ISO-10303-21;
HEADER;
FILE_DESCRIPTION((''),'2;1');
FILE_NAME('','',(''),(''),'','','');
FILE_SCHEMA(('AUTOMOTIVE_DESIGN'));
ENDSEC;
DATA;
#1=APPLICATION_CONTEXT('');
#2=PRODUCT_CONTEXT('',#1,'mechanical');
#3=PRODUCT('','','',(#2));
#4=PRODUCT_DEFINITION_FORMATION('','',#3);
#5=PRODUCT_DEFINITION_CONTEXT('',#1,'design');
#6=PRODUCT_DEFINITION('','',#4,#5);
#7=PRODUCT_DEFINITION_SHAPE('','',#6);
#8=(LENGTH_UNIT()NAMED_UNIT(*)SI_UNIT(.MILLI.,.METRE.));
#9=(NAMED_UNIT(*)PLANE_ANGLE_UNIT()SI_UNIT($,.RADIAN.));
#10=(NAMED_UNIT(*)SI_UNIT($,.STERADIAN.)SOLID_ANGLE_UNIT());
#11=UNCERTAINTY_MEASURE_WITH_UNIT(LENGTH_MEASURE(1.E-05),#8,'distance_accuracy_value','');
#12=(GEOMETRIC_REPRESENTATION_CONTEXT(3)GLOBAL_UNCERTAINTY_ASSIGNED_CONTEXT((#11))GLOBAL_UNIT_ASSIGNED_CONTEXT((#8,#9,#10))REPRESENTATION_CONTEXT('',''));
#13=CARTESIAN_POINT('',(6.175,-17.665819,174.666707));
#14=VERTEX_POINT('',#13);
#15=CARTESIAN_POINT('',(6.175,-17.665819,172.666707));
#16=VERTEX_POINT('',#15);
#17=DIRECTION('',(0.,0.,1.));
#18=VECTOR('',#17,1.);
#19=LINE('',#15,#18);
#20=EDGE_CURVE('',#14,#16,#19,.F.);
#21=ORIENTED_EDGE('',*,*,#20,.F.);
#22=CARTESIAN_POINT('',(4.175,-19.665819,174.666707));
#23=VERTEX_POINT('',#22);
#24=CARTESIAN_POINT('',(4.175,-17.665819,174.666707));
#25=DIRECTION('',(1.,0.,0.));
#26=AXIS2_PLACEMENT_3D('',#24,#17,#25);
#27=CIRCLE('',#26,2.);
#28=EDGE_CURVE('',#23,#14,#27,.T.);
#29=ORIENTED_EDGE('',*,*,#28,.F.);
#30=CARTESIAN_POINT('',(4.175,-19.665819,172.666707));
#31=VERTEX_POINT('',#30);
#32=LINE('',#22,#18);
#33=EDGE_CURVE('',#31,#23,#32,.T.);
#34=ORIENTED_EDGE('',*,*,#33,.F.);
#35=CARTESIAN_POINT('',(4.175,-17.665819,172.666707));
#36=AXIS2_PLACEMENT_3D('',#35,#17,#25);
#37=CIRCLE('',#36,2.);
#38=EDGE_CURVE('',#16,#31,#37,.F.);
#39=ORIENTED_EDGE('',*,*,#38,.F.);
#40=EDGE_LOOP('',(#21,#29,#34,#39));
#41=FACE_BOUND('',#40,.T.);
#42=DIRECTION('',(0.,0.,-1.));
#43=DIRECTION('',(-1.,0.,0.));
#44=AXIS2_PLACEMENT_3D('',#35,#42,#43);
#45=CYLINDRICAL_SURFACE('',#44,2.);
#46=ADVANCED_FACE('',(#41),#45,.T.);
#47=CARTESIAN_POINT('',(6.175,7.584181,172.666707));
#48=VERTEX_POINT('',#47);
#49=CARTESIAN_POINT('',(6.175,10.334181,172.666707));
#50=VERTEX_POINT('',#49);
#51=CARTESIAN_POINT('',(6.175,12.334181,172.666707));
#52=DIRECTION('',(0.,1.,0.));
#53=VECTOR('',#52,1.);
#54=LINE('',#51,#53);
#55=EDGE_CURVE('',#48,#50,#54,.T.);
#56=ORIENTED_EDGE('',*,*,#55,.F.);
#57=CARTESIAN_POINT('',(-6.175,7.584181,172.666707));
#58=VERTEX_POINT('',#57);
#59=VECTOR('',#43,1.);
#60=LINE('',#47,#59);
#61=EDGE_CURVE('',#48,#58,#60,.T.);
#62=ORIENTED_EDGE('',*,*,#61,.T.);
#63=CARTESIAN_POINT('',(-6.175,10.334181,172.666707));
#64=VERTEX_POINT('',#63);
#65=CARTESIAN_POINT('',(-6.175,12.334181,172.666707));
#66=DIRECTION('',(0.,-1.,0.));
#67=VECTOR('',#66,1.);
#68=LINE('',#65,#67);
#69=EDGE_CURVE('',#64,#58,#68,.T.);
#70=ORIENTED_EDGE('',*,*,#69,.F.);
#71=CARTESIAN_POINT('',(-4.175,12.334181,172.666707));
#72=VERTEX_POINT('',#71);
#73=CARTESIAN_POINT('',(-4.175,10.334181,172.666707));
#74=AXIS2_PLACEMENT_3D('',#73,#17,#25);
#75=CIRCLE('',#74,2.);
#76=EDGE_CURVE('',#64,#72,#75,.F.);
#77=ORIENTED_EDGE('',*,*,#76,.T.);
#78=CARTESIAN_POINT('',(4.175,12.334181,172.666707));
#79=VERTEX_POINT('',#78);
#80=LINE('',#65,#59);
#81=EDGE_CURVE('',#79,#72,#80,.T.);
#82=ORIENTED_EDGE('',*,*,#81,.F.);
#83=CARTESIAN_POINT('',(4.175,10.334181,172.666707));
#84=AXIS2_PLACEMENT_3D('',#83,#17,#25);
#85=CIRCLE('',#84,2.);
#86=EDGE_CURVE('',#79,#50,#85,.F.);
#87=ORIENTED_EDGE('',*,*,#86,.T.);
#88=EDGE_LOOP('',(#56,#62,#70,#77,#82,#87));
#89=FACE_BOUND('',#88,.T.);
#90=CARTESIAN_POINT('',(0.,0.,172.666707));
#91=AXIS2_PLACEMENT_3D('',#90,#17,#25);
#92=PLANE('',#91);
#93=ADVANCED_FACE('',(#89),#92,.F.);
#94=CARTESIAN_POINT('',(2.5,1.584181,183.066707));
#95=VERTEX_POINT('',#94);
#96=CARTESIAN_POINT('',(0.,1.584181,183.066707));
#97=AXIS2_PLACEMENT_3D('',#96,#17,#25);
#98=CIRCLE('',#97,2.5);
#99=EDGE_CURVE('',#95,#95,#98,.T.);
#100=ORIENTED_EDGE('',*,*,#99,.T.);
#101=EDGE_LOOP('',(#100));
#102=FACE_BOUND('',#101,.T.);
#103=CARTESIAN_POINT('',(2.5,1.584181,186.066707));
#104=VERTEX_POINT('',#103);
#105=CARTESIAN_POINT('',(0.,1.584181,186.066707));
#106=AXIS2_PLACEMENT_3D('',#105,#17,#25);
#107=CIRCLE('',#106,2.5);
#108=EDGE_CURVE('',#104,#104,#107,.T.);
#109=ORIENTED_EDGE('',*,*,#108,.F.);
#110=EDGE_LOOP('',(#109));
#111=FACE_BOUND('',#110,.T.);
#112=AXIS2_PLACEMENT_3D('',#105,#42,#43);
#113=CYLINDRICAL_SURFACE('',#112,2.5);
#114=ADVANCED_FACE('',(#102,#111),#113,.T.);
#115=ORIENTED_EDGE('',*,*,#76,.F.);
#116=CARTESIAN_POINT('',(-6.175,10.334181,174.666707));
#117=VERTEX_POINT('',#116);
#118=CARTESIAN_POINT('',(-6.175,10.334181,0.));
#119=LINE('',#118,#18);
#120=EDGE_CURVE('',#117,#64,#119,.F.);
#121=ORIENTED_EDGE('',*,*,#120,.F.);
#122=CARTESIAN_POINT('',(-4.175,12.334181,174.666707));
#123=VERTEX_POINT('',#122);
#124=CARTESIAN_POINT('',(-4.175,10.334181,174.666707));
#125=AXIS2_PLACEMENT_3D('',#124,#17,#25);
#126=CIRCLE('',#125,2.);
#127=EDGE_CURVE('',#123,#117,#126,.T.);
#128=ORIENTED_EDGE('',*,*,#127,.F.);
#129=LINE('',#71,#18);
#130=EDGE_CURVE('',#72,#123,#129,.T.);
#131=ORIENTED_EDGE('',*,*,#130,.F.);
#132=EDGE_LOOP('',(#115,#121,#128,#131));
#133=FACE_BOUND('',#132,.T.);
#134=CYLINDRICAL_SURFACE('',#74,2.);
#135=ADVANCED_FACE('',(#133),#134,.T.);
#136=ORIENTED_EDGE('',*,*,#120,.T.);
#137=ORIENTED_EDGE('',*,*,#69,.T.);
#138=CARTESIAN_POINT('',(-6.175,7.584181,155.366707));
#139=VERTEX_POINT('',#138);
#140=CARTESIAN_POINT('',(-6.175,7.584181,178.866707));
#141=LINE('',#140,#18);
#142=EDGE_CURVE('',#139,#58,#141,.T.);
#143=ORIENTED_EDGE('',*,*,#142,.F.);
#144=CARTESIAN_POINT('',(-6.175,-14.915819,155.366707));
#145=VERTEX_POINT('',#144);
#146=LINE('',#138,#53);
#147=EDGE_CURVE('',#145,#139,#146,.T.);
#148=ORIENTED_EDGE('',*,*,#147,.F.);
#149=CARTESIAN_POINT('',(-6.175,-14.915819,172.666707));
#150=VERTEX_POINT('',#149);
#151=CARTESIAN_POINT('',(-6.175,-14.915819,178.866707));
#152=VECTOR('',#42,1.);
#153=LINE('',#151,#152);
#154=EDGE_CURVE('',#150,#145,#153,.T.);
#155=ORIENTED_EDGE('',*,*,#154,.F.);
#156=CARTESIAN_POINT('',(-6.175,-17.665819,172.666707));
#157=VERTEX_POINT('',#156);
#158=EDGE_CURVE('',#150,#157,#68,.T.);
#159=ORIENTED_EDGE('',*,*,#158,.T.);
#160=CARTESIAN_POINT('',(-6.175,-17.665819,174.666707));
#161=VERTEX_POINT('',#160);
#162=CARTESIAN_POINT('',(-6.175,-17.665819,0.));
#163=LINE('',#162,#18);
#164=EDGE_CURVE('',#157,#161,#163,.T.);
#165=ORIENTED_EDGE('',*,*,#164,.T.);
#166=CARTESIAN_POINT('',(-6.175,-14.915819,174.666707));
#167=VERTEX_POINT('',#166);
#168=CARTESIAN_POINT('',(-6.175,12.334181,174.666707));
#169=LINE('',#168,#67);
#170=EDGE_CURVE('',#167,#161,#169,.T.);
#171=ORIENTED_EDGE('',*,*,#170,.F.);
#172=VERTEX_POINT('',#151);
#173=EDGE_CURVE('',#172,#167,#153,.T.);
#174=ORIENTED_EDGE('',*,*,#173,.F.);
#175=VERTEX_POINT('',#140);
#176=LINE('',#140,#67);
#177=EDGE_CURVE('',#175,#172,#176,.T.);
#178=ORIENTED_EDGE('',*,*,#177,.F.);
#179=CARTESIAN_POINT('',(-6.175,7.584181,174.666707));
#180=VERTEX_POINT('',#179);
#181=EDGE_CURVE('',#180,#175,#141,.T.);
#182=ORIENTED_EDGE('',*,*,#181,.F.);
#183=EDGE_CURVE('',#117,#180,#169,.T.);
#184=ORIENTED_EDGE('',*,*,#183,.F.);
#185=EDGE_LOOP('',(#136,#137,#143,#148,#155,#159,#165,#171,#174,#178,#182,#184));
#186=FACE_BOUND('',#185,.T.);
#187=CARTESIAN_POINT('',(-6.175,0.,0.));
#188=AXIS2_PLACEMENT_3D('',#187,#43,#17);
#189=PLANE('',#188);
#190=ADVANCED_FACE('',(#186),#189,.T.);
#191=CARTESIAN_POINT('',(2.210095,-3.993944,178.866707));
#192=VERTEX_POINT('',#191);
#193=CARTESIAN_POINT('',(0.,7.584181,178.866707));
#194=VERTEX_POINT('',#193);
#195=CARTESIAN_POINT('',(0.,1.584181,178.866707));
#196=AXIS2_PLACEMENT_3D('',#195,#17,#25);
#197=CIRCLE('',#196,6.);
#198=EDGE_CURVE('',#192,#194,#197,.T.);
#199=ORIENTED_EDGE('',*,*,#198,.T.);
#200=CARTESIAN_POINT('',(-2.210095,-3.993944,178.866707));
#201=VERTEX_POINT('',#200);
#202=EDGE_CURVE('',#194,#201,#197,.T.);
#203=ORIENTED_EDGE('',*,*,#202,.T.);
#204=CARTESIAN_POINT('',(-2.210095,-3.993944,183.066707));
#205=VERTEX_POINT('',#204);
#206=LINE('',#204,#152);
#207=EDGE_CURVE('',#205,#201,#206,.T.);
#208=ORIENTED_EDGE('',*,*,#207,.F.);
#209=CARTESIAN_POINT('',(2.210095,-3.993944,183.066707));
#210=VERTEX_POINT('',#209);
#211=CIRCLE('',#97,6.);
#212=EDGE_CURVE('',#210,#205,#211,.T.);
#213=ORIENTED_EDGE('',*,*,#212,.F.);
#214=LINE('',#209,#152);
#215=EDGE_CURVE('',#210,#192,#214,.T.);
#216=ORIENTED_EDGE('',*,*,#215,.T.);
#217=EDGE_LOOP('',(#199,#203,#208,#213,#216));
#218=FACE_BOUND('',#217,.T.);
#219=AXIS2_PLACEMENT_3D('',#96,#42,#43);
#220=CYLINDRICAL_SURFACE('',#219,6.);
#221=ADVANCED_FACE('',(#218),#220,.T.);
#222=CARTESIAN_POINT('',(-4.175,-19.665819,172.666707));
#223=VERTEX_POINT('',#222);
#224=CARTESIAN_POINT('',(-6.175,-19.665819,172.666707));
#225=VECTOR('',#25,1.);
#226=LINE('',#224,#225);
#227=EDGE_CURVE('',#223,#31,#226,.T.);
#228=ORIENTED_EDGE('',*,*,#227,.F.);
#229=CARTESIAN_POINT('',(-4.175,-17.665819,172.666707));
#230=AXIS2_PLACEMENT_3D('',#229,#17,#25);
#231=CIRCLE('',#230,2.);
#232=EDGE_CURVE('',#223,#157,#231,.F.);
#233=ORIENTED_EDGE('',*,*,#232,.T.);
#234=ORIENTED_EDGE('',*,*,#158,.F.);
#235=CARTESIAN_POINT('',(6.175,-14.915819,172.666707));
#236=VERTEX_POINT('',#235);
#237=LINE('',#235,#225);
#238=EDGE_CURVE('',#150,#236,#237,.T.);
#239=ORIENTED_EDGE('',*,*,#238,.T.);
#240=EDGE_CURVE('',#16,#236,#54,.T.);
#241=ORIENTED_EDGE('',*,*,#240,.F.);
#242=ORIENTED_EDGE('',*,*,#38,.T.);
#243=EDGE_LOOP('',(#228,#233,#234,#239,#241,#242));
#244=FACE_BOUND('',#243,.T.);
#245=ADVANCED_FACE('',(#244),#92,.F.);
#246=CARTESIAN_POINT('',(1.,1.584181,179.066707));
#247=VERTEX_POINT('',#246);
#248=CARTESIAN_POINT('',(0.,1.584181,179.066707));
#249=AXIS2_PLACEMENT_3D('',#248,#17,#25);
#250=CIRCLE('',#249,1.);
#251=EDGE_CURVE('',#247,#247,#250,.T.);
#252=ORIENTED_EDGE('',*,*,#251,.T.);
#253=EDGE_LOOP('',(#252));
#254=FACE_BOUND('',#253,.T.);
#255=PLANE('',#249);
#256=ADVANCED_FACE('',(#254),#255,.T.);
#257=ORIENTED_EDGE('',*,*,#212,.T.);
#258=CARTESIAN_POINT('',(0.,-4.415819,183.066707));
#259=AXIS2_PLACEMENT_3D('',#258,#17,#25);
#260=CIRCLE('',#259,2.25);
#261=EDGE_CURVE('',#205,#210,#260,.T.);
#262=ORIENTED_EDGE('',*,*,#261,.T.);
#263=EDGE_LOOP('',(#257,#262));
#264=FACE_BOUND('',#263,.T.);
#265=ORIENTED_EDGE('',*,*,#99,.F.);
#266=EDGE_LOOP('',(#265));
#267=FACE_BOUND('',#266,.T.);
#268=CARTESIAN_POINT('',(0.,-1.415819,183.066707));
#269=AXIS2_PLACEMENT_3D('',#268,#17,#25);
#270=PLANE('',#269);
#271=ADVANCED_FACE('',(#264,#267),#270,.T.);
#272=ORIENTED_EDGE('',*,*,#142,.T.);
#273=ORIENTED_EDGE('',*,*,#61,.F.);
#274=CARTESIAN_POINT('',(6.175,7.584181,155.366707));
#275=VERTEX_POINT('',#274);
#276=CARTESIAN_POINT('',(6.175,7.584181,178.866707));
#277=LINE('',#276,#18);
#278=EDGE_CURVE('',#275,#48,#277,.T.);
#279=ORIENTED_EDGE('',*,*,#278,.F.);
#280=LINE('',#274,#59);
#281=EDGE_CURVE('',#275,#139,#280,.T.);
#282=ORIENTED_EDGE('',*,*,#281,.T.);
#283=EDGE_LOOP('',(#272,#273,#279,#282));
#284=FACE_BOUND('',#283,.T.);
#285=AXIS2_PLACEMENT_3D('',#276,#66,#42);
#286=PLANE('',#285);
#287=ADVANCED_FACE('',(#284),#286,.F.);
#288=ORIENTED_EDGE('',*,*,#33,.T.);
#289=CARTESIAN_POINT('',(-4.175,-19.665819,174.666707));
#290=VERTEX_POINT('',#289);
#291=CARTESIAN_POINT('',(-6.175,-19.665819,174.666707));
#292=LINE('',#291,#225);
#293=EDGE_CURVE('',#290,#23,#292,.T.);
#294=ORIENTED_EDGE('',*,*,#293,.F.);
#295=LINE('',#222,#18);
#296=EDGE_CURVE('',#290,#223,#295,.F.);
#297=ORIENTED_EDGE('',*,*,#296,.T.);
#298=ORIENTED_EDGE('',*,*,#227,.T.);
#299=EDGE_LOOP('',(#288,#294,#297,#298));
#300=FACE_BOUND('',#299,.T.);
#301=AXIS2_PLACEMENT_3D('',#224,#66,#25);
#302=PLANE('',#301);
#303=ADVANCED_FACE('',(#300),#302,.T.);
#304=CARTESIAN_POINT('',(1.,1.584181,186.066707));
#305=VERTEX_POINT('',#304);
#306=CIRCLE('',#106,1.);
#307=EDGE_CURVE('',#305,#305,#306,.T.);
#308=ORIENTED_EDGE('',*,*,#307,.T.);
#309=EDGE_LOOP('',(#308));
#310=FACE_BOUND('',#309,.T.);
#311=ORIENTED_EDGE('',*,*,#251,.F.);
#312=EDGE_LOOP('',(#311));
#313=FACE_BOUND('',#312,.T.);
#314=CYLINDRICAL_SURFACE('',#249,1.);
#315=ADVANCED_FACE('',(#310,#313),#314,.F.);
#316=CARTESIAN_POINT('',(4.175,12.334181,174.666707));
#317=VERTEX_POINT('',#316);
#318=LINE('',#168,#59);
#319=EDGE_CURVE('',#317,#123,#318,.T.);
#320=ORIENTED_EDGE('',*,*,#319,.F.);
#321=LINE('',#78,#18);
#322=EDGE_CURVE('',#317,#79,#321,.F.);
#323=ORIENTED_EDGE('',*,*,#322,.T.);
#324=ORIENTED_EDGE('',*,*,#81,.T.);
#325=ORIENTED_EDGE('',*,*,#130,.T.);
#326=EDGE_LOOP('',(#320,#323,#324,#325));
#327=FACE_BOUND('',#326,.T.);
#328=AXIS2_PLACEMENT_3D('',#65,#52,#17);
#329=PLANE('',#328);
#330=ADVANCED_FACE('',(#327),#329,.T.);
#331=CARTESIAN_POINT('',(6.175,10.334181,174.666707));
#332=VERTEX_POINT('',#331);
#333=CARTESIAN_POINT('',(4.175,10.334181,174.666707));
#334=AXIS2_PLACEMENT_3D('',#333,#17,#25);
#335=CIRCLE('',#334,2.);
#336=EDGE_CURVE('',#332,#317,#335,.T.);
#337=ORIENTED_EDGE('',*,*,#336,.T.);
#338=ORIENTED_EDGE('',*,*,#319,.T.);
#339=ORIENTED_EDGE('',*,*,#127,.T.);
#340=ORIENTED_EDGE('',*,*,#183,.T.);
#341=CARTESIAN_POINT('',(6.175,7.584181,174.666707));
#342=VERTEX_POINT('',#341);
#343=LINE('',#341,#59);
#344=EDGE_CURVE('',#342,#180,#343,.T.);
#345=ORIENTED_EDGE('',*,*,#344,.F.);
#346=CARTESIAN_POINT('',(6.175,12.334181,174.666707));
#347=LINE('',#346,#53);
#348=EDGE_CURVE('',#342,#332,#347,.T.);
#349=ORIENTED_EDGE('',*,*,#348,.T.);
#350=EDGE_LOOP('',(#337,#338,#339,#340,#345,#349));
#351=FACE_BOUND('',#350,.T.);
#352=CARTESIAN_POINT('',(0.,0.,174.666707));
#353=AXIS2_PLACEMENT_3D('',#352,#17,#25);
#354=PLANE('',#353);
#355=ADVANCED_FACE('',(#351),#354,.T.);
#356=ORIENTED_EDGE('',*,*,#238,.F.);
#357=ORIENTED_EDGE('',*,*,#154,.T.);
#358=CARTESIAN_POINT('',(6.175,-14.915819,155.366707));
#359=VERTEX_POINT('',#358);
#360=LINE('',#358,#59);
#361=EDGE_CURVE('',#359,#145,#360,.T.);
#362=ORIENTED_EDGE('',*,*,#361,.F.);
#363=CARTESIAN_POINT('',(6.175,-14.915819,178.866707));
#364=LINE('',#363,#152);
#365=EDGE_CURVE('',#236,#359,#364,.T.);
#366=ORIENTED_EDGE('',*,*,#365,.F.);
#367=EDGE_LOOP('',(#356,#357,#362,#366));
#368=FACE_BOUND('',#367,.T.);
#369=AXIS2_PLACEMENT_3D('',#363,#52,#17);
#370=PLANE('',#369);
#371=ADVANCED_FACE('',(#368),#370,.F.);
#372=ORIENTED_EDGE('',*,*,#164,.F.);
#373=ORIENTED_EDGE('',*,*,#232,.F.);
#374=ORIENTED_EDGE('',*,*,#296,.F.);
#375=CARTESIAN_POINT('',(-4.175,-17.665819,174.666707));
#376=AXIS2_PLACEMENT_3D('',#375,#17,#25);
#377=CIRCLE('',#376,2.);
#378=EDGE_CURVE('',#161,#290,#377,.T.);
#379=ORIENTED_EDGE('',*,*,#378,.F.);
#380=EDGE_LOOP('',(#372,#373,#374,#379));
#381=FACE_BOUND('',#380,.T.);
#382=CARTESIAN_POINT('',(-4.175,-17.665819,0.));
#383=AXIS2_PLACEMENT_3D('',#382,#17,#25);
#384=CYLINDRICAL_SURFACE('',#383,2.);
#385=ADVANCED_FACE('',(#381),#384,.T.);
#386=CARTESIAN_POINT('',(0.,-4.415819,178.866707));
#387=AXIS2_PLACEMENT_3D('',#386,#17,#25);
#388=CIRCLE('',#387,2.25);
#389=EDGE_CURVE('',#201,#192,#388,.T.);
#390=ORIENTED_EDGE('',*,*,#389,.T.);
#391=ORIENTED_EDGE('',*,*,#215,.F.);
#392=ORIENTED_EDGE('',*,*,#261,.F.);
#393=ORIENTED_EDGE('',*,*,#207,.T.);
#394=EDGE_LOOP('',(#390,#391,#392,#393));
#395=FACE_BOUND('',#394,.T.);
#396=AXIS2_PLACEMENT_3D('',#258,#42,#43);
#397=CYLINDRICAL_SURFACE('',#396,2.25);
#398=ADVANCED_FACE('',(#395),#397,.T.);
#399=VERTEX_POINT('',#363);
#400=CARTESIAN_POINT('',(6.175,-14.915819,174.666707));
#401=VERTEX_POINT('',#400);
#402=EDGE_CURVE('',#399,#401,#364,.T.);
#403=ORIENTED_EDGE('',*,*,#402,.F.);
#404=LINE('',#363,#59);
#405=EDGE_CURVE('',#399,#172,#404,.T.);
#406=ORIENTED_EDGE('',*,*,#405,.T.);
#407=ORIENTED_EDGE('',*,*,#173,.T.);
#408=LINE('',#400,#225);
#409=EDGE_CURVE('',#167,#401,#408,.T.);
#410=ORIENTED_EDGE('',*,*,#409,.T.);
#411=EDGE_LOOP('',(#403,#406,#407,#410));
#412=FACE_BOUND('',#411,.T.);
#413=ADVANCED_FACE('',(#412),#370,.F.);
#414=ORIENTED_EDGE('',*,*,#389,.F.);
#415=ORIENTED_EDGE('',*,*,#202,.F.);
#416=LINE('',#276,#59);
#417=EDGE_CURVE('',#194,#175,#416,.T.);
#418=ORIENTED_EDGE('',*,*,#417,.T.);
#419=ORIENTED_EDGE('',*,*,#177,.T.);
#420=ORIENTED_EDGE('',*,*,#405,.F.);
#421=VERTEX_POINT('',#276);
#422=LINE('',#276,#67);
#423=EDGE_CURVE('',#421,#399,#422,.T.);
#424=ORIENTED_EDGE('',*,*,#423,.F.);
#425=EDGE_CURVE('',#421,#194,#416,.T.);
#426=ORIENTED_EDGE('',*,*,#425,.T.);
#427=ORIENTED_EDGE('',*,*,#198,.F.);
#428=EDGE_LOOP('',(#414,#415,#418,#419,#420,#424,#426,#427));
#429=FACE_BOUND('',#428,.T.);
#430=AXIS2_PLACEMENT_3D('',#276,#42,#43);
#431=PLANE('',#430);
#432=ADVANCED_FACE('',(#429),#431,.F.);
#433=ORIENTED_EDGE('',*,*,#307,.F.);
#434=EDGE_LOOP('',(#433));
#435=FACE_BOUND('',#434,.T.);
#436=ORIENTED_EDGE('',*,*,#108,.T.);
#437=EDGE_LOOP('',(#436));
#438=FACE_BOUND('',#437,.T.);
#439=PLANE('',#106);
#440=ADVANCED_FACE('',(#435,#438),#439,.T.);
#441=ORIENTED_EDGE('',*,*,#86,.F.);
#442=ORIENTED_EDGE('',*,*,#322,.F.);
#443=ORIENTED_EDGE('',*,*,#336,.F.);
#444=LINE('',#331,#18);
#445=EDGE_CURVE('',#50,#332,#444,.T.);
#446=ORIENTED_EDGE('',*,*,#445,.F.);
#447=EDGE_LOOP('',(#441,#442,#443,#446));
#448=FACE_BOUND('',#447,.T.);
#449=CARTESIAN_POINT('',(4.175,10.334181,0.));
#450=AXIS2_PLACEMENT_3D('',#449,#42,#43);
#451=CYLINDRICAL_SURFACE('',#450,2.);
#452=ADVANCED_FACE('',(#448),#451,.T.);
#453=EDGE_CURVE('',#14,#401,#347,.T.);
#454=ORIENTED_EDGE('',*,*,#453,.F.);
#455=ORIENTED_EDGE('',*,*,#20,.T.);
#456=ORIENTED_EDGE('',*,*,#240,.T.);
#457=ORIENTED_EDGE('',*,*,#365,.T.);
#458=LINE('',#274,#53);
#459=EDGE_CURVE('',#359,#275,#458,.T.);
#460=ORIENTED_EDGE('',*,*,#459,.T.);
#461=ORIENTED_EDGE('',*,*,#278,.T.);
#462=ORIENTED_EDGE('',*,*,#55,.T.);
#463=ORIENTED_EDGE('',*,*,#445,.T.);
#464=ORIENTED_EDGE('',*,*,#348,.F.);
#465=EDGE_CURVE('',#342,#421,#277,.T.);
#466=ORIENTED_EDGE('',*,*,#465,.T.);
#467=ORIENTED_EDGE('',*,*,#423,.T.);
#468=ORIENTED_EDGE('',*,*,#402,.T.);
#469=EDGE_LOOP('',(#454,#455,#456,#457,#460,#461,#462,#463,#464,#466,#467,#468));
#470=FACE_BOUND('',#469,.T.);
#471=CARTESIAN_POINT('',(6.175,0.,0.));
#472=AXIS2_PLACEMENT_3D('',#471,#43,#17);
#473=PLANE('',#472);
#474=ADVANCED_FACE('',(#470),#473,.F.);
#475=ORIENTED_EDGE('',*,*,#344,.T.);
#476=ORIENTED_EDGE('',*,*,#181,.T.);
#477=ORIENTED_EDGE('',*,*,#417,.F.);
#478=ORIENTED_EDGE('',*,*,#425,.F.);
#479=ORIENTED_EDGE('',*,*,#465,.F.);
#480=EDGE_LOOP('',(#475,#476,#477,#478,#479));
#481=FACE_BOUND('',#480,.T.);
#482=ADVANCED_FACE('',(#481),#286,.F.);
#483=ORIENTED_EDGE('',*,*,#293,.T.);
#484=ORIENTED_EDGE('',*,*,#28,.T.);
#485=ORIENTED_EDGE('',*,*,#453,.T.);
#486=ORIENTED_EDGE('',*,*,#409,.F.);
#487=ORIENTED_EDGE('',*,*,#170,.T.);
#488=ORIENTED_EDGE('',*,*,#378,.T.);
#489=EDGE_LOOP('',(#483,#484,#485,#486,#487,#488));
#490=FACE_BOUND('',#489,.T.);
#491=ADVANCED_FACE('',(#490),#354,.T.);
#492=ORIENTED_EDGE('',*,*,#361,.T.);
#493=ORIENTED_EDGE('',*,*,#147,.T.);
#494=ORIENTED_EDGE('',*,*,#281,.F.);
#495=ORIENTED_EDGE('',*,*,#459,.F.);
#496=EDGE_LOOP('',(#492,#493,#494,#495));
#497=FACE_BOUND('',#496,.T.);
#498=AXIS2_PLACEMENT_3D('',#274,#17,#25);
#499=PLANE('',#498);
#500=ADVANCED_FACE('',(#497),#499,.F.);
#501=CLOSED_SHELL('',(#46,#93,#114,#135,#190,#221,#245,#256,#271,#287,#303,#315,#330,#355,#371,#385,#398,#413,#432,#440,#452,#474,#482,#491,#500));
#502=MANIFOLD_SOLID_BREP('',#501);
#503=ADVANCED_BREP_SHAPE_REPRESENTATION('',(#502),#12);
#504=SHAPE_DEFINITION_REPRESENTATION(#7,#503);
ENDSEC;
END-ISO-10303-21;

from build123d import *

# Parameters (mm, degrees)
SKETCH3_W           = 22.5
SKETCH3_H           = 23.5
BOSS_EXTRUDE1_DEPTH = 6.175
SKETCH4_W           = 12.35
SKETCH4_H           = 32
BOSS_EXTRUDE2_DEPTH = 2
BOSS_EXTRUDE3_DEPTH = 4.2
SKETCH6_R           = 2.5
CUT_EXTRUDE1_DEPTH  = 4.2
FILLET1_R           = 2
SKETCH7_R           = 2.5
BOSS_EXTRUDE4_DEPTH = 7.2
SKETCH8_R           = 1
CUT_EXTRUDE2_DEPTH  = 7


with BuildPart() as part:
    # Sketch3 → Boss-Extrude1 (new body, symmetric)
    with BuildSketch(Plane(origin=(0, -28.275548605, 0), x_dir=(0, 1, 0), z_dir=(1, 0, 0))):
        with Locations((24.609729517, 167.116706922)):
            Rectangle(SKETCH3_W, SKETCH3_H)
    extrude(amount=BOSS_EXTRUDE1_DEPTH, both=True)

    # Sketch4 → Boss-Extrude2 (add)
    with BuildSketch(Plane.XY.offset(174.666706922)):
        with Locations((0, -3.665819089)):
            Rectangle(SKETCH4_W, SKETCH4_H)
    extrude(amount=-BOSS_EXTRUDE2_DEPTH)

    # Sketch5 → Boss-Extrude3 (add)
    with BuildSketch(Plane.XY.offset(178.866706922)):
        with BuildLine():
            ThreePointArc((2.210095356, -3.993944089), (0, 7.584180911), (-2.210095356, -3.993944089))
            ThreePointArc((-2.210095356, -3.993944089), (0, -6.665819089), (2.210095356, -3.993944089))
        make_face()
    extrude(amount=BOSS_EXTRUDE3_DEPTH)

    # Sketch6 → Cut-Extrude1 (cut)
    with BuildSketch(Plane.XY.offset(183.066706922)):
        with Locations((0, 1.584180911)):
            Circle(SKETCH6_R)
    extrude(amount=-CUT_EXTRUDE1_DEPTH, mode=Mode.SUBTRACT)

    # Fillet1
    fillet1_edges = [part.edges().sort_by_distance(p)[0] for p in [
        (-6.175, -19.665819089, 173.666706922),
        (6.175, 12.334180911, 173.666706922),
        (-6.175, 12.334180911, 173.666706922),
        (6.175, -19.665819089, 173.666706922),
    ]]
    fillet(fillet1_edges, radius=FILLET1_R)

    # Sketch7 → Boss-Extrude4 (add)
    with BuildSketch(Plane.XY.offset(178.866706922)):
        with Locations((0, 1.584180911)):
            Circle(SKETCH7_R)
    extrude(amount=BOSS_EXTRUDE4_DEPTH)

    # Sketch8 → Cut-Extrude2 (cut)
    with BuildSketch(Plane.XY.offset(186.066706922)):
        with Locations((0, 1.584180911)):
            Circle(SKETCH8_R)
    extrude(amount=-CUT_EXTRUDE2_DEPTH, mode=Mode.SUBTRACT)


solid = part.part
